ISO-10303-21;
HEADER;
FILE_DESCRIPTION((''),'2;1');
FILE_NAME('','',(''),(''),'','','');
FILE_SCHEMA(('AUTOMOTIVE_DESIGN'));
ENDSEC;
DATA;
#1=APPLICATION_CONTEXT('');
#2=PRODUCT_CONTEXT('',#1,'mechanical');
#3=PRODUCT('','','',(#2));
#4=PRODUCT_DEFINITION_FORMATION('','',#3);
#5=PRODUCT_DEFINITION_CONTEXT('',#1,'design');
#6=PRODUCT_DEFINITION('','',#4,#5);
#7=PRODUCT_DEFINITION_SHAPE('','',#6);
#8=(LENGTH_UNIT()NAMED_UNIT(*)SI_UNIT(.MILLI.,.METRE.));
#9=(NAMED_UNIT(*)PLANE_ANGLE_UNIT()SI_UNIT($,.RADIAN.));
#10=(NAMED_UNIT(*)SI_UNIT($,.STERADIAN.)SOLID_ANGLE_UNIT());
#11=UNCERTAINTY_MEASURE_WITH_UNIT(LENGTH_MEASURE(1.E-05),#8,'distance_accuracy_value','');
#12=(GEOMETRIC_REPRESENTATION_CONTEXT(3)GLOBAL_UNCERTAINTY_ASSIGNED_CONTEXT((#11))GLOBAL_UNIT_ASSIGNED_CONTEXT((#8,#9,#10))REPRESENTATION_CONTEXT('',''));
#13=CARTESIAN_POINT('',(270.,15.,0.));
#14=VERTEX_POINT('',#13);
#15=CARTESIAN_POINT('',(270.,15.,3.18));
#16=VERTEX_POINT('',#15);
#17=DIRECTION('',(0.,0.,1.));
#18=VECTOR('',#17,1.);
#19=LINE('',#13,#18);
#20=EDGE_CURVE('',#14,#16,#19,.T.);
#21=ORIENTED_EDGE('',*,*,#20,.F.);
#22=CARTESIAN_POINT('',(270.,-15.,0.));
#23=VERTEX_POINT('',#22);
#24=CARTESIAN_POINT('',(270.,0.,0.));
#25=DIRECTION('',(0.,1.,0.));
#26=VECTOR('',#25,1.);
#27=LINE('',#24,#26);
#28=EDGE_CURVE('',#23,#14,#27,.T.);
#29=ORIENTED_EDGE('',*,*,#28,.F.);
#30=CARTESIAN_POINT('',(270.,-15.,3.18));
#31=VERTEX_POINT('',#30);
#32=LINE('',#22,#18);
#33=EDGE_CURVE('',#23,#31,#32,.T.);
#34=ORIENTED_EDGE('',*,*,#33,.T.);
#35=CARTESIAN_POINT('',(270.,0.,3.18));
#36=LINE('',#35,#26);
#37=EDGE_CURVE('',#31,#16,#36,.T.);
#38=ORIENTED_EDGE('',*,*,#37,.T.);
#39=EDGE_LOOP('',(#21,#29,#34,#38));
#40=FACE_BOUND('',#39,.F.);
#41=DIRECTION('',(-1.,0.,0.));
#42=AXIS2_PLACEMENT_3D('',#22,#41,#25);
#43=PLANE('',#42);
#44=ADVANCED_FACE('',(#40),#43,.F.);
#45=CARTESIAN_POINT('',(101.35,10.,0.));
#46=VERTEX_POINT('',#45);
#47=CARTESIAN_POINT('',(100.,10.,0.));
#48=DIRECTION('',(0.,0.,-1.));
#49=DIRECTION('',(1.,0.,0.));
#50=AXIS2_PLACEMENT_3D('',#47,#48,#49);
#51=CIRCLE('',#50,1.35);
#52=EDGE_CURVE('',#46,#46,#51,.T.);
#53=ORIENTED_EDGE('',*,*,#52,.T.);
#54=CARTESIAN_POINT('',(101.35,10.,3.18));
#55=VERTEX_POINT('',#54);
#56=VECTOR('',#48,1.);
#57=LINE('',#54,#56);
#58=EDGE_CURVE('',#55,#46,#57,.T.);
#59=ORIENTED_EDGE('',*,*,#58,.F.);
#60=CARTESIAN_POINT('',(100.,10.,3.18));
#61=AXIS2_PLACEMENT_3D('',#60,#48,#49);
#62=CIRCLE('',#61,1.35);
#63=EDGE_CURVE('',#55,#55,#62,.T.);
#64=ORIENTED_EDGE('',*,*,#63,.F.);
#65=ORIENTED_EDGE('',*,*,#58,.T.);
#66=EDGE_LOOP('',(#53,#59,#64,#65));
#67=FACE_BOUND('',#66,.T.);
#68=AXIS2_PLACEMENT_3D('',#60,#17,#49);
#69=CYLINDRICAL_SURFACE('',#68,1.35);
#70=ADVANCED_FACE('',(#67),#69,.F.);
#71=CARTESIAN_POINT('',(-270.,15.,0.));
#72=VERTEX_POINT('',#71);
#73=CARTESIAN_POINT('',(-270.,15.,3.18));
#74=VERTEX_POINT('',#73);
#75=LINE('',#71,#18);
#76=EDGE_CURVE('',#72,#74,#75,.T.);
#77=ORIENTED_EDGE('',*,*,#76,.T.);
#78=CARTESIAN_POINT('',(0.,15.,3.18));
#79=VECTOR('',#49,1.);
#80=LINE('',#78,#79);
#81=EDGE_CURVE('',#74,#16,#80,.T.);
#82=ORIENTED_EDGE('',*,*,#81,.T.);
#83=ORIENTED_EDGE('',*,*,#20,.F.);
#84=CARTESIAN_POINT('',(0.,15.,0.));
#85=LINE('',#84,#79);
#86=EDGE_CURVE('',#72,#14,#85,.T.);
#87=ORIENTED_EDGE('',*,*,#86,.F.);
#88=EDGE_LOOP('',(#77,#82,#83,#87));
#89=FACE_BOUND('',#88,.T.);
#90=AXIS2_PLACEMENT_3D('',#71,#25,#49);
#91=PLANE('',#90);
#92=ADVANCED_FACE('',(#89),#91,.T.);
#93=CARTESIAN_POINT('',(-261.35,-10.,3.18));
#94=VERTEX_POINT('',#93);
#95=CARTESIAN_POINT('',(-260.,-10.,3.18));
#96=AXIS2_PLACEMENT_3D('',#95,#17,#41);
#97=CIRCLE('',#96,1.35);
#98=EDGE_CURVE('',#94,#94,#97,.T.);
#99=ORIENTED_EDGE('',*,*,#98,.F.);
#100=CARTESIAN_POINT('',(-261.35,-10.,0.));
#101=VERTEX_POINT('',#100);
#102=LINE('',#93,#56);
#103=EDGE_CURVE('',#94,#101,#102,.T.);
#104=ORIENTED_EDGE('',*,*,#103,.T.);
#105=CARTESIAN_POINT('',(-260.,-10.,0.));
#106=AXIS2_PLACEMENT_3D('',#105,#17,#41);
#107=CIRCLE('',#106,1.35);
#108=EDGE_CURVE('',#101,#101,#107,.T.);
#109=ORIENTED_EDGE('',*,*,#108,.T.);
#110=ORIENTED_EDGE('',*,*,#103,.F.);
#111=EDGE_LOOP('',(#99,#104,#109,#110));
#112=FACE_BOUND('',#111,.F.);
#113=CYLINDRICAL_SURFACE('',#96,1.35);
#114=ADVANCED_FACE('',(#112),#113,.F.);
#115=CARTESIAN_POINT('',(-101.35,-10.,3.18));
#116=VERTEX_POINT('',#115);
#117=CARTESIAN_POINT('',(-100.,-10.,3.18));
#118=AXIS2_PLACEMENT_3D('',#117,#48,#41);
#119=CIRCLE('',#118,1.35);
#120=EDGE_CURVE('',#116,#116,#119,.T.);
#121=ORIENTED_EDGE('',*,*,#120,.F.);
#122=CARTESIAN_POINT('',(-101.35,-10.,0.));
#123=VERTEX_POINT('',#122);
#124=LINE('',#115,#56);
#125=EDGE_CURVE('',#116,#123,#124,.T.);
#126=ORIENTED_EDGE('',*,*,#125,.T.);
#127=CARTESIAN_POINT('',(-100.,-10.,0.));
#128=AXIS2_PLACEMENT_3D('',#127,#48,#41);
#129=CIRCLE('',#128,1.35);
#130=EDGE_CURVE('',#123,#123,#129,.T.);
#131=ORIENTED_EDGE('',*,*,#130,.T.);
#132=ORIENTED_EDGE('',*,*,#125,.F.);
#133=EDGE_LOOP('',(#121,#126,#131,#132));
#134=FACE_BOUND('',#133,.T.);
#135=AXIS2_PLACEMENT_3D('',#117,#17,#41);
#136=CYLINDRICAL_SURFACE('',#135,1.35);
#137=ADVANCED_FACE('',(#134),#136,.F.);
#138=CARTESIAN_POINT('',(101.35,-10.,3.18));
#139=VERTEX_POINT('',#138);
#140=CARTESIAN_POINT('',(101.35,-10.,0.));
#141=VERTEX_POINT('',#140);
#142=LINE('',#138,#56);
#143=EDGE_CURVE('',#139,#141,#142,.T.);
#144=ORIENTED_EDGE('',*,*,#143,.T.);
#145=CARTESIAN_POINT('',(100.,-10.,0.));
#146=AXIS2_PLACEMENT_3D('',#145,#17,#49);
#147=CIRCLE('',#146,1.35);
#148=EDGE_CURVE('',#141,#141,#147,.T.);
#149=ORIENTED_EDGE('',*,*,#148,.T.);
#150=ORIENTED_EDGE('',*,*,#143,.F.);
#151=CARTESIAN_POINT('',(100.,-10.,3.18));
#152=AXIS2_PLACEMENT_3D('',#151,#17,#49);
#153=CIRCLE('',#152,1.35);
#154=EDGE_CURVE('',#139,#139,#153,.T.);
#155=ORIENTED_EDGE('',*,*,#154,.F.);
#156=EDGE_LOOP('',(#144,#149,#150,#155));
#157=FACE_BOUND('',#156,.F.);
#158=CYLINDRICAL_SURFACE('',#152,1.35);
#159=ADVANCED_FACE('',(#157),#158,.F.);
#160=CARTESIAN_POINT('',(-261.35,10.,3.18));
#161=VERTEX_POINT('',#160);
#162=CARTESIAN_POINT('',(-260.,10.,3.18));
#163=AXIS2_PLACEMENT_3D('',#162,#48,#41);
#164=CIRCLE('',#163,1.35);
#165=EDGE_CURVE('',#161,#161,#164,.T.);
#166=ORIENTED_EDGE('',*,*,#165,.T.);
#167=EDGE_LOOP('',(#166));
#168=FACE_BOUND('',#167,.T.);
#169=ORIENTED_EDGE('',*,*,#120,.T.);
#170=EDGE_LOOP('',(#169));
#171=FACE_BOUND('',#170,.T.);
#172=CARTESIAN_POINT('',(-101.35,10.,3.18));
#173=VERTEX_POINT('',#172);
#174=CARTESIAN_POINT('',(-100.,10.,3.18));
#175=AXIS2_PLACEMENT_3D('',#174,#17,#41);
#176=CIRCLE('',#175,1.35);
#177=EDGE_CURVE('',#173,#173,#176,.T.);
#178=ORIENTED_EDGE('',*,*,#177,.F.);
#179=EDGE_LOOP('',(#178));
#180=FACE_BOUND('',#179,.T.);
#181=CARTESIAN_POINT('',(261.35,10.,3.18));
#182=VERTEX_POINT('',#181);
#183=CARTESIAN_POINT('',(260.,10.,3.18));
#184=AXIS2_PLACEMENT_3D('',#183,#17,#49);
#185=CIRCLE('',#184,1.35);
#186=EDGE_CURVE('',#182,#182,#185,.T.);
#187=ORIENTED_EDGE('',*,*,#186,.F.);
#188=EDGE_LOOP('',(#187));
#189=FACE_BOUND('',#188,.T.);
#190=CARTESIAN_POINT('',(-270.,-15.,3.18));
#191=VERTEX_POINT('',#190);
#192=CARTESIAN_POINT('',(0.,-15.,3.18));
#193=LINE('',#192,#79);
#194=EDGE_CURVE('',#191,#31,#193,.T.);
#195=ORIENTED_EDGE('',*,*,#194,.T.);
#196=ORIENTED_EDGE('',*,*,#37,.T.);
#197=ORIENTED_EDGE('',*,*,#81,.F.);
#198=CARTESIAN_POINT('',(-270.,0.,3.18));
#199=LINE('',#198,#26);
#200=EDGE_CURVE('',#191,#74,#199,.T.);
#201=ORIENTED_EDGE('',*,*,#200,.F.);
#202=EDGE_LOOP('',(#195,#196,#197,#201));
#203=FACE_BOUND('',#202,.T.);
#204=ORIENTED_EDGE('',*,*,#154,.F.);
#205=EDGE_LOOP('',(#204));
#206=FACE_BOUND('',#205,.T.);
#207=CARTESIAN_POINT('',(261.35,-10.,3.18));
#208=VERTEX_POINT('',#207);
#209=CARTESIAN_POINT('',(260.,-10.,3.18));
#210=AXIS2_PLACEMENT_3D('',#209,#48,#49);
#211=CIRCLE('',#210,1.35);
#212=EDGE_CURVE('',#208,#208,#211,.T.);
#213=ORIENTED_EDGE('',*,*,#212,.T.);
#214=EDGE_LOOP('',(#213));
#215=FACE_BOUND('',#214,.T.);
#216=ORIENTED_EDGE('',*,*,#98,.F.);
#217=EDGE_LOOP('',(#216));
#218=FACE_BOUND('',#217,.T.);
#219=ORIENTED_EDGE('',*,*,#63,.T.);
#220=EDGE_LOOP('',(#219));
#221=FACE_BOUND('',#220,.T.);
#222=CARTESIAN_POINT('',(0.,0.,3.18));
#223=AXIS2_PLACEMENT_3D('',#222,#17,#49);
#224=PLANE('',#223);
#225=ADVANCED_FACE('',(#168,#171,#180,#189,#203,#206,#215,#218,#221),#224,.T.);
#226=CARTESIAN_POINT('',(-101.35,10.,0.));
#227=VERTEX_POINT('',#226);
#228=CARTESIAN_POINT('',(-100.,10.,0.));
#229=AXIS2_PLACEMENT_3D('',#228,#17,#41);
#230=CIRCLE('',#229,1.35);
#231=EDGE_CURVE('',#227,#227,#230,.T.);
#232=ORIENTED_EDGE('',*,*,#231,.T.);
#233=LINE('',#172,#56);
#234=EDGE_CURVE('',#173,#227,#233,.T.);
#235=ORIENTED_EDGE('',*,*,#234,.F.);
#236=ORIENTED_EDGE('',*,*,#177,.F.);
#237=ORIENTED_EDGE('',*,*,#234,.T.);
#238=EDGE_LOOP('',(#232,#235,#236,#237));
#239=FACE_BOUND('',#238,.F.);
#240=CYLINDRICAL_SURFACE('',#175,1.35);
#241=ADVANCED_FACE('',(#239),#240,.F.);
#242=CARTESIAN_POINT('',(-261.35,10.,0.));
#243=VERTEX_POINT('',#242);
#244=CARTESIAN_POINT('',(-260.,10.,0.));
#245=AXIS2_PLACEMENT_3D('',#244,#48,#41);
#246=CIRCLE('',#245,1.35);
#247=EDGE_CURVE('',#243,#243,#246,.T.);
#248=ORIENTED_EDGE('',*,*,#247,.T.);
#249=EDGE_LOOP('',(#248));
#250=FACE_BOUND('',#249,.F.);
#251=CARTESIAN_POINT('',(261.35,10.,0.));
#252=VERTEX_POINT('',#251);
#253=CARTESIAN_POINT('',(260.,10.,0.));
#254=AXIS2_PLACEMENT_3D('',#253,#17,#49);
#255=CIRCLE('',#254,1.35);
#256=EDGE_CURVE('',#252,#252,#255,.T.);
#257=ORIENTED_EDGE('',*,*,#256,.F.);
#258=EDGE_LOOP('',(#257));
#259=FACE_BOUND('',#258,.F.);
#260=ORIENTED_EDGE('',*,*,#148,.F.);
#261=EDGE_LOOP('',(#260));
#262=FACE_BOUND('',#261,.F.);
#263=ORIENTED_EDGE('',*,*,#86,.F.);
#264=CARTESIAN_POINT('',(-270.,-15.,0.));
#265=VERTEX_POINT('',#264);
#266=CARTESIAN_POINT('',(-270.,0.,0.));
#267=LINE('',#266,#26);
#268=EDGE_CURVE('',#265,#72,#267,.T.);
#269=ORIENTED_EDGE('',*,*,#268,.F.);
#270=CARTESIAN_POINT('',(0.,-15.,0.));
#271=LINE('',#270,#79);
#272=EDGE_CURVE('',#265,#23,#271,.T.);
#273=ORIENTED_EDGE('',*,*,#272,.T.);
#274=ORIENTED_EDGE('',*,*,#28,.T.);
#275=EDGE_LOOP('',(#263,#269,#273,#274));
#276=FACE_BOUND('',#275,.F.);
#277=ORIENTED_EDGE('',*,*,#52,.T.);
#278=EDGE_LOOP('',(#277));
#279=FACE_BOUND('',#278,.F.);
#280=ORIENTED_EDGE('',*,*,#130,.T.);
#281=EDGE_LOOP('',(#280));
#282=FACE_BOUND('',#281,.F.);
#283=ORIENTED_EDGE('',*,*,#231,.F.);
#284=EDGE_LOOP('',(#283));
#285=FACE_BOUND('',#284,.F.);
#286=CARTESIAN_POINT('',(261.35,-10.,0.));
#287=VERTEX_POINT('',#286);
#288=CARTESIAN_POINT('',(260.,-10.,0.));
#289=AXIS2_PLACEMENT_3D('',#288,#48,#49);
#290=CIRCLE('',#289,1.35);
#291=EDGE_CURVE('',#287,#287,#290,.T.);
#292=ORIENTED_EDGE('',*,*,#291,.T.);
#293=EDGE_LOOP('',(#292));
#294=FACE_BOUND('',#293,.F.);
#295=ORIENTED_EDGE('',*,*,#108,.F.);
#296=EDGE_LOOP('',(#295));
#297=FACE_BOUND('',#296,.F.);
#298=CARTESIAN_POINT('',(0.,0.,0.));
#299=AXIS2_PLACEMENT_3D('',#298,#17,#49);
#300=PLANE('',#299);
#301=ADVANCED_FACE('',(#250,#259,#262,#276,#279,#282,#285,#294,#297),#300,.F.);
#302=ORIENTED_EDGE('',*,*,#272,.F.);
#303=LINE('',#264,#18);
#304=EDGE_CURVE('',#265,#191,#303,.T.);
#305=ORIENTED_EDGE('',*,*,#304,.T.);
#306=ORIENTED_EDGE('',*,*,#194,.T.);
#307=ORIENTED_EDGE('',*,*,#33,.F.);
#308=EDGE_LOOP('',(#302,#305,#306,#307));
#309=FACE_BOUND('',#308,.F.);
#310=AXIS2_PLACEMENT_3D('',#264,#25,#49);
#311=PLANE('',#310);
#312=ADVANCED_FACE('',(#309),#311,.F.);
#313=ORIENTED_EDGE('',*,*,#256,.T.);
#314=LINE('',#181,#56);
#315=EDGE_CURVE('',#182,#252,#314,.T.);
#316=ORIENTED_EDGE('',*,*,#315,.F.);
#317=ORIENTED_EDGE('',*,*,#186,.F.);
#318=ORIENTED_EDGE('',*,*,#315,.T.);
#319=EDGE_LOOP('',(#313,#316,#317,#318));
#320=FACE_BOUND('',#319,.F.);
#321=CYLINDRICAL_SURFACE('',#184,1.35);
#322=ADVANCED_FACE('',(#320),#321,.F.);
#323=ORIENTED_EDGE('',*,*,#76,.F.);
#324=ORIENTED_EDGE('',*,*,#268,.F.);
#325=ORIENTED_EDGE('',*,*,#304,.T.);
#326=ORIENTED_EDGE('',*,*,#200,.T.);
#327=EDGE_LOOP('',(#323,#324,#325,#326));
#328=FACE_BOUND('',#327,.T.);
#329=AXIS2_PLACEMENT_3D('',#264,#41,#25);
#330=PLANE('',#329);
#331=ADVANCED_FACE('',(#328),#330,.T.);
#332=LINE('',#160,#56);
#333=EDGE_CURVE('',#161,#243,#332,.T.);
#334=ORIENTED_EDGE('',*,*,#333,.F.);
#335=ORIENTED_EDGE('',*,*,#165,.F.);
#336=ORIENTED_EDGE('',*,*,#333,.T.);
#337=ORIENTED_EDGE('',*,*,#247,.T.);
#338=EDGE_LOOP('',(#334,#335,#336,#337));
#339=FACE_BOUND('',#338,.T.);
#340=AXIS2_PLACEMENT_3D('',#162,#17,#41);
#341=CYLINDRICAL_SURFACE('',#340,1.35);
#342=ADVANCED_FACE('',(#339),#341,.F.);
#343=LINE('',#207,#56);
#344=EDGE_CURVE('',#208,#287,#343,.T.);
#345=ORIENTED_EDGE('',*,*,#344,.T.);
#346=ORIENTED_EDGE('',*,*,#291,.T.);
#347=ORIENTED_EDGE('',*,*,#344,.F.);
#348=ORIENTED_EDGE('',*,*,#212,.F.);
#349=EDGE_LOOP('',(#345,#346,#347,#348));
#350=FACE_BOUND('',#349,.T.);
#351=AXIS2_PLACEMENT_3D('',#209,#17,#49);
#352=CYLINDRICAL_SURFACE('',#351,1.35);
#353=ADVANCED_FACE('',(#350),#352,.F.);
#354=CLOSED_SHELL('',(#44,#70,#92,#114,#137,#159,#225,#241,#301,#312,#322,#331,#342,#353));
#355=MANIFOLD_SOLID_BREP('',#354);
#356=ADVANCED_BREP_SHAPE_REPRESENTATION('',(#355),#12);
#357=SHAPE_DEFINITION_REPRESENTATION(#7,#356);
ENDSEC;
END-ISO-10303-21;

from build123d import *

# Parameters (mm, degrees)
SKETCH3_W               = 540
SKETCH3_H               = 30
BOSS_EXTRUDE3_DEPTH     = 3.18
CUT_EXTRUDE1_REACH      = 272.435
SKETCH4_R               = 1.35
MIRROR2_COPY_1_REACH    = 272.435
MIRROR2_COPY_1_SKETCH_R = 1.35
CUT_EXTRUDE2_REACH      = 272.435
SKETCH5_R               = 1.35
MIRROR4_COPY_1_REACH    = 272.435
MIRROR4_COPY_1_SKETCH_R = 1.35


with BuildPart() as part:
    # Sketch3 → Boss-Extrude3 (new body)
    with BuildSketch(Plane.XY):
        Rectangle(SKETCH3_W, SKETCH3_H)
    extrude(amount=BOSS_EXTRUDE3_DEPTH)

    # Sketch4 → Cut-Extrude1 (cut, up to next)
    with BuildSketch(Plane.XY.offset(3.18), mode=Mode.PRIVATE) as cut_extrude1_sk1:
        with Locations((260, 10)):
            Circle(SKETCH4_R)
    cut_extrude1_tool1 = extrude(cut_extrude1_sk1.sketch, amount=-CUT_EXTRUDE1_REACH, mode=Mode.PRIVATE) & part.part
    cut_extrude1 = cut_extrude1_tool1.solids().sort_by_distance((260, 10, 3.18))[0]
    add(cut_extrude1, mode=Mode.SUBTRACT)

    # Mirror1: Cut-Extrude1 across plane
    add(cut_extrude1.mirror(Plane.ZX), mode=Mode.SUBTRACT)

    # Mirror2: Cut-Extrude1 across plane
    add(cut_extrude1.mirror(Plane(origin=(0, 0, 0), x_dir=(0, 0, 1), z_dir=(1, 0, 0))), mode=Mode.SUBTRACT)

    # Mirror2 copy 1 sketch → Mirror2 copy 1 (cut, up to next)
    with BuildSketch(Plane(origin=(0, 0, 3.18), x_dir=(-1, 0, 0), z_dir=(0, 0, 1)), mode=Mode.PRIVATE) as mirror2_copy_1_sk1:
        with Locations((260, 10)):
            Circle(MIRROR2_COPY_1_SKETCH_R)
    mirror2_copy_1_tool1 = extrude(mirror2_copy_1_sk1.sketch, amount=-MIRROR2_COPY_1_REACH, mode=Mode.PRIVATE) & part.part
    add(mirror2_copy_1_tool1.solids().sort_by_distance((-260, -10, 3.18))[0], mode=Mode.SUBTRACT)

    # Sketch5 → Cut-Extrude2 (cut, up to next)
    with BuildSketch(Plane.XY.offset(3.18), mode=Mode.PRIVATE) as cut_extrude2_sk1:
        with Locations((100, -10)):
            Circle(SKETCH5_R)
    cut_extrude2_tool1 = extrude(cut_extrude2_sk1.sketch, amount=-CUT_EXTRUDE2_REACH, mode=Mode.PRIVATE) & part.part
    cut_extrude2 = cut_extrude2_tool1.solids().sort_by_distance((100, -10, 3.18))[0]
    add(cut_extrude2, mode=Mode.SUBTRACT)

    # Mirror3: Cut-Extrude2 across plane
    add(cut_extrude2.mirror(Plane(origin=(0, 0, 0), x_dir=(0, 0, 1), z_dir=(1, 0, 0))), mode=Mode.SUBTRACT)

    # Mirror4: Cut-Extrude2 across plane
    add(cut_extrude2.mirror(Plane.ZX), mode=Mode.SUBTRACT)

    # Mirror4 copy 1 sketch → Mirror4 copy 1 (cut, up to next)
    with BuildSketch(Plane(origin=(0, 0, 3.18), x_dir=(-1, 0, 0), z_dir=(0, 0, 1)), mode=Mode.PRIVATE) as mirror4_copy_1_sk1:
        with Locations((100, -10)):
            Circle(MIRROR4_COPY_1_SKETCH_R)
    mirror4_copy_1_tool1 = extrude(mirror4_copy_1_sk1.sketch, amount=-MIRROR4_COPY_1_REACH, mode=Mode.PRIVATE) & part.part
    add(mirror4_copy_1_tool1.solids().sort_by_distance((-100, 10, 3.18))[0], mode=Mode.SUBTRACT)


solid = part.part
